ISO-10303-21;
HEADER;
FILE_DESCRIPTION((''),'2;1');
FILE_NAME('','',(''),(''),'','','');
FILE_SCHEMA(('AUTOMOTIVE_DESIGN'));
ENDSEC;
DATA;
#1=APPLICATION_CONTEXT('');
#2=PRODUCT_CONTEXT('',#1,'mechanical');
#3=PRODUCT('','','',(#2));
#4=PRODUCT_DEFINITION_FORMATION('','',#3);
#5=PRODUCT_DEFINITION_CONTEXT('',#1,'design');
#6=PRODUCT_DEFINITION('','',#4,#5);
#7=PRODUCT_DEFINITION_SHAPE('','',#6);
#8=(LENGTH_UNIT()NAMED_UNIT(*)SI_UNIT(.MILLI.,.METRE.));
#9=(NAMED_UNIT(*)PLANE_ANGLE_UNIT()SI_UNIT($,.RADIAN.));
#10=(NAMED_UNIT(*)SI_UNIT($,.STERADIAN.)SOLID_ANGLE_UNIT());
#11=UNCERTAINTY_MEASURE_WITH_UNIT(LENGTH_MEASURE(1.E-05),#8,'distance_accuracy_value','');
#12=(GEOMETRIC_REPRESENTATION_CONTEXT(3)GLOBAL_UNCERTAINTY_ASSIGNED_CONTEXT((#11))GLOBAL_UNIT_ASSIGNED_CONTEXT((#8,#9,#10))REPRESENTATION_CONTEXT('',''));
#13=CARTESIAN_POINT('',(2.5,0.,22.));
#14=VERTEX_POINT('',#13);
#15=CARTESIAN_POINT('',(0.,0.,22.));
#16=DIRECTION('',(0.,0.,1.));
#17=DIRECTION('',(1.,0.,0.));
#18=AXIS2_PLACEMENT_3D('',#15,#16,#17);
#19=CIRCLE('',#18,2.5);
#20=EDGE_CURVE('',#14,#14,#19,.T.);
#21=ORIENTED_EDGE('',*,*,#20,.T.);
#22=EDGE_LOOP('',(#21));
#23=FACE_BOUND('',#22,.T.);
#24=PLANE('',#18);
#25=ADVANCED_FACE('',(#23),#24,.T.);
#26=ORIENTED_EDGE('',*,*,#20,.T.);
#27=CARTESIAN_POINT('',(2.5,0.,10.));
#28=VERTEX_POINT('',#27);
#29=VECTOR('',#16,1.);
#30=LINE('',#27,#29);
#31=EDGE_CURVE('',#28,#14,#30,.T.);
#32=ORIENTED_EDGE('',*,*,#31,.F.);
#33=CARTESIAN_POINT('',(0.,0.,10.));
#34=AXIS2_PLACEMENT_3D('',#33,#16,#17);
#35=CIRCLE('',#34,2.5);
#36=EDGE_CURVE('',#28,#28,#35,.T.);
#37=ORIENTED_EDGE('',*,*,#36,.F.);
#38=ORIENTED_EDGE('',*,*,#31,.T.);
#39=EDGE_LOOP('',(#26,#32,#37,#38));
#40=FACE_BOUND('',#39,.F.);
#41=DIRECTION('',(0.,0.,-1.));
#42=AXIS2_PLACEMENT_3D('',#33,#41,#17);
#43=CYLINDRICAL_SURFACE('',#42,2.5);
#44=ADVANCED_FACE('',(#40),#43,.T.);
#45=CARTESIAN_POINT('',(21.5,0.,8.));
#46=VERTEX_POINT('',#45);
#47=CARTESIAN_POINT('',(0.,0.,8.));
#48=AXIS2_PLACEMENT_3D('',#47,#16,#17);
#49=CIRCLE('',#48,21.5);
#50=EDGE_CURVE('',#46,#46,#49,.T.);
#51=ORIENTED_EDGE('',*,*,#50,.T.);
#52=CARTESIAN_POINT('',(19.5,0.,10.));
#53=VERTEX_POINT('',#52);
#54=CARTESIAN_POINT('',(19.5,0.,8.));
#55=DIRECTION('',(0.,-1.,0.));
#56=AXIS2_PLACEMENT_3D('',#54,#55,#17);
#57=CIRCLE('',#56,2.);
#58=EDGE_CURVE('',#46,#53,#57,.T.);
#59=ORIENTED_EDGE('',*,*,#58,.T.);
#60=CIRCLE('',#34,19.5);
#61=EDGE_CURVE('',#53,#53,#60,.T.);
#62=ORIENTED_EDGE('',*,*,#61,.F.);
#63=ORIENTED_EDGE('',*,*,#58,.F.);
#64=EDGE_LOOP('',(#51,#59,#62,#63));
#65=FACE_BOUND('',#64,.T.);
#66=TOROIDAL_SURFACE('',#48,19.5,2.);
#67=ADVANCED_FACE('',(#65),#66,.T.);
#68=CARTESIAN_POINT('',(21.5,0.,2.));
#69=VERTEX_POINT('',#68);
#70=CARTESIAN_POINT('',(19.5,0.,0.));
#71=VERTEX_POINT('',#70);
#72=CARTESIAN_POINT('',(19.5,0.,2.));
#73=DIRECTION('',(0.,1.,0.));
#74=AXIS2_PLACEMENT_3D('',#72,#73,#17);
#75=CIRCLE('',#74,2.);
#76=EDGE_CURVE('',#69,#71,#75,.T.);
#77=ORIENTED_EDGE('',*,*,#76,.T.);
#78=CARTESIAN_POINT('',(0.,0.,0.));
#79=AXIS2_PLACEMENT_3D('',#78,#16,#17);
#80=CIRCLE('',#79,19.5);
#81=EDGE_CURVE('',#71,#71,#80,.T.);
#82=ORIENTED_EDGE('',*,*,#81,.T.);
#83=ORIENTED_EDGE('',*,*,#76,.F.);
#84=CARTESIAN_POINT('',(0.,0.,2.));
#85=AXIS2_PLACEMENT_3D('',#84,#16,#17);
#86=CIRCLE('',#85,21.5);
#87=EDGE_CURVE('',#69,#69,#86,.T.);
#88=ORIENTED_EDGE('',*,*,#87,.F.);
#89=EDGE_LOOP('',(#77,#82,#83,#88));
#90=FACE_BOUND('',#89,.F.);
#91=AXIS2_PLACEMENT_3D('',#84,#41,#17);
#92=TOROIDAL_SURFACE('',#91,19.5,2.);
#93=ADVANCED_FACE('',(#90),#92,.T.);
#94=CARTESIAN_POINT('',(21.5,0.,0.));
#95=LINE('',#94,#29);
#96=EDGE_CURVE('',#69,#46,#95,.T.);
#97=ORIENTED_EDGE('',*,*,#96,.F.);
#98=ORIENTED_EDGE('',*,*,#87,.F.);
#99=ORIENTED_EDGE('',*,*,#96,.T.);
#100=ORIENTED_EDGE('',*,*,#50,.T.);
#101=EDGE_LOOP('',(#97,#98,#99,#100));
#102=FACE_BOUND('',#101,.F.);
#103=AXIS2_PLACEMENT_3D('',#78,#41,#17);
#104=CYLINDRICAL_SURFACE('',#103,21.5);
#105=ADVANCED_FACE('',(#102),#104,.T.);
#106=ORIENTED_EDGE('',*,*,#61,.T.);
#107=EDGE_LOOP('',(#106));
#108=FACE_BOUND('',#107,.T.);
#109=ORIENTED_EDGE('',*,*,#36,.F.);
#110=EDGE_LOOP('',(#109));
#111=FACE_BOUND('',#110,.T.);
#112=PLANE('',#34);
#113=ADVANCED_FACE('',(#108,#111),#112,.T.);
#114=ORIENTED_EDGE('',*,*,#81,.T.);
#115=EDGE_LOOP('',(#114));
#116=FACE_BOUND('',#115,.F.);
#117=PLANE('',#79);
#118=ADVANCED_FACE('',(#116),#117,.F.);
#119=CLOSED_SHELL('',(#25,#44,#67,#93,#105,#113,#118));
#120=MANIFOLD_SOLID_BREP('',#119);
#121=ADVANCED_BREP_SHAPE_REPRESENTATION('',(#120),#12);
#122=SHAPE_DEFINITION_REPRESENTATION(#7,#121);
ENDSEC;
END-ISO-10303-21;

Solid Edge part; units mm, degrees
sketch "Sketch1" plane through (0, 0, 0) normal (0, 0, 1) x (1, 0, 0)
  circle A0 centre (0, 0) radius 21.5
extrude "ExtrudedProtrusion_1" add sketch "Sketch1" along normal blind 10
fillet "Round_1" radius 2 2 edges at (-21.5, 0, 10) (-21.5, 0, 0)
sketch "Sketch2" plane through (0, 0, 10) normal (0, 0, 1) x (1, 0, 0)
  circle A0 centre (0, 0) radius 2.5
extrude "ExtrudedProtrusion_2" add sketch "Sketch2" along normal blind 12
properties material "Aluminio"
